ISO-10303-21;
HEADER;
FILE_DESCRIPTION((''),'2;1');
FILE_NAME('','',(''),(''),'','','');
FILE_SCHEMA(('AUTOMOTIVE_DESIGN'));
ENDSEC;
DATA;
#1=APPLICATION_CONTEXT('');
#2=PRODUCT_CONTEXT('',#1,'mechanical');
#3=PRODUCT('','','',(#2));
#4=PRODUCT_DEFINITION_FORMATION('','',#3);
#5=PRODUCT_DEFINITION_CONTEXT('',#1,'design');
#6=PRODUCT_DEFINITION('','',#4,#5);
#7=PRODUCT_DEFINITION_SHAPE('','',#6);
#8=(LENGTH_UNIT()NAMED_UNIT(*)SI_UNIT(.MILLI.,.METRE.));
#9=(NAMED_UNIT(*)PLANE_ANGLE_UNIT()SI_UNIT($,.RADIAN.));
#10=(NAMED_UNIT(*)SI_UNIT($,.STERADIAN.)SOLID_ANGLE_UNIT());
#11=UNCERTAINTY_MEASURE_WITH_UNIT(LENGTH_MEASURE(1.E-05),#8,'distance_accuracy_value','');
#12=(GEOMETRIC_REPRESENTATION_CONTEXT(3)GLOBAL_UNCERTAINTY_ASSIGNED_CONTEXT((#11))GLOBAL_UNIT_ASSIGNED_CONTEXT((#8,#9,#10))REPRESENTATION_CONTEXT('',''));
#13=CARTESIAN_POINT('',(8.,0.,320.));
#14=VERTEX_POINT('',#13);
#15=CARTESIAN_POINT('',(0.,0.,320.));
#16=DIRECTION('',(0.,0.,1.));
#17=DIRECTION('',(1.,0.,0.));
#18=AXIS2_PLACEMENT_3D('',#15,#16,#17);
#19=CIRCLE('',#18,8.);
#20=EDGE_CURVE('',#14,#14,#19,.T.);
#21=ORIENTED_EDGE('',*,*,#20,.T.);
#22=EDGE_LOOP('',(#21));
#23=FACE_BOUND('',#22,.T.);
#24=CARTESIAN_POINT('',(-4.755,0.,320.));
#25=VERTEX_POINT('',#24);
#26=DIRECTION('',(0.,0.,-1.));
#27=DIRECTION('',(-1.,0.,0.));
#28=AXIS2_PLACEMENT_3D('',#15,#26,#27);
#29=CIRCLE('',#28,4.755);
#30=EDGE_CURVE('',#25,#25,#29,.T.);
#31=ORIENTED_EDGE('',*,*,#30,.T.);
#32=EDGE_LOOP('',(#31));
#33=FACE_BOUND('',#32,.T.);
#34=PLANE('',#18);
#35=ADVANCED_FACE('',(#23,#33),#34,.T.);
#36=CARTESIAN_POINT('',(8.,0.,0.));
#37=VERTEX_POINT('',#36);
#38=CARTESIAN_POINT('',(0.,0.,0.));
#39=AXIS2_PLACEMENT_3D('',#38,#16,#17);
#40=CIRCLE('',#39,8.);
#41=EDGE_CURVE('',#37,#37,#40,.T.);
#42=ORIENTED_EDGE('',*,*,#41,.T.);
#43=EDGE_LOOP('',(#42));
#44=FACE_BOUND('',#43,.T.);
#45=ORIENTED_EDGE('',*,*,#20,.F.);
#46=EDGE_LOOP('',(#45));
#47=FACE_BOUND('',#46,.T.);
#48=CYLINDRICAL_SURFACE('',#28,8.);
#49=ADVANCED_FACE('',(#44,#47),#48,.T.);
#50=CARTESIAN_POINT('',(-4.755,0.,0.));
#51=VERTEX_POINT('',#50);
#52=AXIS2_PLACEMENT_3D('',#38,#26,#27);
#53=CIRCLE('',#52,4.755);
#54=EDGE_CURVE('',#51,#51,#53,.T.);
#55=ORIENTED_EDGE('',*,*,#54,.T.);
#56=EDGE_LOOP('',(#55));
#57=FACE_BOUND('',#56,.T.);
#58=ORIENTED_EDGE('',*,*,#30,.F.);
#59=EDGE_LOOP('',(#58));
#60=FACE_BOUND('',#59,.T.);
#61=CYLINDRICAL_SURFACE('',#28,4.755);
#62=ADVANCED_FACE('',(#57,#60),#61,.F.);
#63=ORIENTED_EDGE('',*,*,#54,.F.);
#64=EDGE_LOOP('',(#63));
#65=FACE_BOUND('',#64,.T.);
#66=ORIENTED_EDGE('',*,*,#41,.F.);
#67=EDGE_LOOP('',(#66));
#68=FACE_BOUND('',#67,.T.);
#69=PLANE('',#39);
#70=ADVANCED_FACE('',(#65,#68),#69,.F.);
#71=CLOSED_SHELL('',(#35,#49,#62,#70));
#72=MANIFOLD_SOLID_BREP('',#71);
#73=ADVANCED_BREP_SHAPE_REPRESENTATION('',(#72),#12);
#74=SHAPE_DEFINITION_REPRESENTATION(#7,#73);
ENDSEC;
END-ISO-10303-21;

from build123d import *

# Parameters (mm, degrees)
SKETCH1_R           = 8
BOSS_EXTRUDE1_DEPTH = 320
SKETCH2_R           = 4.755
CUT_EXTRUDE1_DEPTH  = 321


with BuildPart() as part:
    # Sketch1 → Boss-Extrude1 (new body)
    with BuildSketch(Plane.XY):
        Circle(SKETCH1_R)
    extrude(amount=BOSS_EXTRUDE1_DEPTH)

    # Sketch2 → Cut-Extrude1 (cut, through all)
    with BuildSketch(Plane(origin=(0, 0, 0), x_dir=(-1, 0, 0), z_dir=(0, 0, -1))):
        Circle(SKETCH2_R)
    extrude(amount=-CUT_EXTRUDE1_DEPTH, mode=Mode.SUBTRACT)


solid = part.part
